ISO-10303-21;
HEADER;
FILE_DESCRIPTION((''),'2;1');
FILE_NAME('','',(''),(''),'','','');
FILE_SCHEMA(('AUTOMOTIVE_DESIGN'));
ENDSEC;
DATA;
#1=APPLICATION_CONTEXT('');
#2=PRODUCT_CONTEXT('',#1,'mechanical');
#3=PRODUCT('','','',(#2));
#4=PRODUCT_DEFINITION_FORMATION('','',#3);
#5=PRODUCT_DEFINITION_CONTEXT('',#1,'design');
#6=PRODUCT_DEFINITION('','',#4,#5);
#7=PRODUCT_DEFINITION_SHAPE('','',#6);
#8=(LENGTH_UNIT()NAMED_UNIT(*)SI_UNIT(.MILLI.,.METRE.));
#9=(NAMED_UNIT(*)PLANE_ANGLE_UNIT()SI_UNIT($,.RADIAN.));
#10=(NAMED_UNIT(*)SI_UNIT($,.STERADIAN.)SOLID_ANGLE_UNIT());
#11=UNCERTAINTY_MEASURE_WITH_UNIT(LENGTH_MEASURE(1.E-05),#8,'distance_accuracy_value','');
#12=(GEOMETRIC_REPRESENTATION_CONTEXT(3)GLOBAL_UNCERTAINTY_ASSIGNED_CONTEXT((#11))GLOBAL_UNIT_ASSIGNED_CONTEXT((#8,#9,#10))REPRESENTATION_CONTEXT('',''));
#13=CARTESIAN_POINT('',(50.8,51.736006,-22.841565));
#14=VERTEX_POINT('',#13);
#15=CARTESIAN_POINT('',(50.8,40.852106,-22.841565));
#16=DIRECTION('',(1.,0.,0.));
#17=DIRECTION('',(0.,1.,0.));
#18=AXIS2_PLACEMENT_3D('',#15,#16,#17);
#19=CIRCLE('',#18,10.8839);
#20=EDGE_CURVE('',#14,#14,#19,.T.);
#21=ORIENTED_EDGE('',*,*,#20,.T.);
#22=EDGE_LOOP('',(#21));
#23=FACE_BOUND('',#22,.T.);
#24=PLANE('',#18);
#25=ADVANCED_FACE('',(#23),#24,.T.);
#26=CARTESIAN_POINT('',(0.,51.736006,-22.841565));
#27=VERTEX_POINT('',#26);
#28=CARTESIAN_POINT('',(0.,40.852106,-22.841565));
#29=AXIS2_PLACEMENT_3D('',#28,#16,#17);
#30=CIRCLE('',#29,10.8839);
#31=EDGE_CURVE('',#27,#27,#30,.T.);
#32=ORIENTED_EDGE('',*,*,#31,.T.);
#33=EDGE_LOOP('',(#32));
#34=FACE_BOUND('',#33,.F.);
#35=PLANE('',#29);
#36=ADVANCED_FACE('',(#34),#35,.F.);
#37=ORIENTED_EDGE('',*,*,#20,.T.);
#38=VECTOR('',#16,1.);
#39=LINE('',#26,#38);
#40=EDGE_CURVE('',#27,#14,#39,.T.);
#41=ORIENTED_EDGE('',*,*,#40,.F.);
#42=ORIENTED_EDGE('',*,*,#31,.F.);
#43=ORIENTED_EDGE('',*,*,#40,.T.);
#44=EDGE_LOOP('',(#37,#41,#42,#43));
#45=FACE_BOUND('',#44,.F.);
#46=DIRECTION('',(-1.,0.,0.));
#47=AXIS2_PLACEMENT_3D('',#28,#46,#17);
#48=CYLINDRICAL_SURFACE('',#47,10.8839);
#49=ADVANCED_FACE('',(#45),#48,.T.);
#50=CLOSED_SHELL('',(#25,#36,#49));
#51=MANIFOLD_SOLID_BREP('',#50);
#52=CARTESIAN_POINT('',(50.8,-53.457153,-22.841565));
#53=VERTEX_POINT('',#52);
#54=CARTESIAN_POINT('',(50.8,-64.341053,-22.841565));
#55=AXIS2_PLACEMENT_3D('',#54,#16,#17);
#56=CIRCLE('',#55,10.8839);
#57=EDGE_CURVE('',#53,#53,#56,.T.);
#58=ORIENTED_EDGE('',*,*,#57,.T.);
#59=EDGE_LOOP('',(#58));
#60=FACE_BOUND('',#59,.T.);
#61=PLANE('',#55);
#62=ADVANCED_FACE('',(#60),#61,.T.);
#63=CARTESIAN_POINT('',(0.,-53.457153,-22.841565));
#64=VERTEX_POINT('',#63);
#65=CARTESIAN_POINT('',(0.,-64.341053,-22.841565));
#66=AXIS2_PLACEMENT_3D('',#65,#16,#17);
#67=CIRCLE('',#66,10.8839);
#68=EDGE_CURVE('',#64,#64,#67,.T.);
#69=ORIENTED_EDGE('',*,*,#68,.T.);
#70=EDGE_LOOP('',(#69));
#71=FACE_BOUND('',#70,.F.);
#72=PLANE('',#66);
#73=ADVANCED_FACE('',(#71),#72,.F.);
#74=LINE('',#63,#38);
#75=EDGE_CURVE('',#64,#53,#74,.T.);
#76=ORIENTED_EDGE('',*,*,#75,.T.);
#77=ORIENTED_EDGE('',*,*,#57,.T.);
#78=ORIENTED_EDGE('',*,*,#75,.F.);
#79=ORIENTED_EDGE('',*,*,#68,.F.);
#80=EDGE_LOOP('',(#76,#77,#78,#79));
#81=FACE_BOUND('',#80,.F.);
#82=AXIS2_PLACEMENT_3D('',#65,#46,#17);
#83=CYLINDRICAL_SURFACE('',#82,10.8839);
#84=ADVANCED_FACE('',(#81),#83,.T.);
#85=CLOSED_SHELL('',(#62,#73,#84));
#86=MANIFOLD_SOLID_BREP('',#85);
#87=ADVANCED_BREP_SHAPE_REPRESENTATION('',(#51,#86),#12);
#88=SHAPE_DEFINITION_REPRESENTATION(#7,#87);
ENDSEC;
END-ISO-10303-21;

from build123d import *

# Parameters (mm, degrees)
F0_R     = 10.8839
F1_DEPTH = 50.8


with BuildPart() as f1:
    # F0 (on Right) → F1 (new body)
    with BuildSketch(Plane.YZ):
        with Locations((-64.341053, -22.841565)):
            Circle(F0_R)
        with Locations((40.852106, -22.841565)):
            Circle(F0_R)
    extrude(amount=F1_DEPTH)


solid = f1.part
